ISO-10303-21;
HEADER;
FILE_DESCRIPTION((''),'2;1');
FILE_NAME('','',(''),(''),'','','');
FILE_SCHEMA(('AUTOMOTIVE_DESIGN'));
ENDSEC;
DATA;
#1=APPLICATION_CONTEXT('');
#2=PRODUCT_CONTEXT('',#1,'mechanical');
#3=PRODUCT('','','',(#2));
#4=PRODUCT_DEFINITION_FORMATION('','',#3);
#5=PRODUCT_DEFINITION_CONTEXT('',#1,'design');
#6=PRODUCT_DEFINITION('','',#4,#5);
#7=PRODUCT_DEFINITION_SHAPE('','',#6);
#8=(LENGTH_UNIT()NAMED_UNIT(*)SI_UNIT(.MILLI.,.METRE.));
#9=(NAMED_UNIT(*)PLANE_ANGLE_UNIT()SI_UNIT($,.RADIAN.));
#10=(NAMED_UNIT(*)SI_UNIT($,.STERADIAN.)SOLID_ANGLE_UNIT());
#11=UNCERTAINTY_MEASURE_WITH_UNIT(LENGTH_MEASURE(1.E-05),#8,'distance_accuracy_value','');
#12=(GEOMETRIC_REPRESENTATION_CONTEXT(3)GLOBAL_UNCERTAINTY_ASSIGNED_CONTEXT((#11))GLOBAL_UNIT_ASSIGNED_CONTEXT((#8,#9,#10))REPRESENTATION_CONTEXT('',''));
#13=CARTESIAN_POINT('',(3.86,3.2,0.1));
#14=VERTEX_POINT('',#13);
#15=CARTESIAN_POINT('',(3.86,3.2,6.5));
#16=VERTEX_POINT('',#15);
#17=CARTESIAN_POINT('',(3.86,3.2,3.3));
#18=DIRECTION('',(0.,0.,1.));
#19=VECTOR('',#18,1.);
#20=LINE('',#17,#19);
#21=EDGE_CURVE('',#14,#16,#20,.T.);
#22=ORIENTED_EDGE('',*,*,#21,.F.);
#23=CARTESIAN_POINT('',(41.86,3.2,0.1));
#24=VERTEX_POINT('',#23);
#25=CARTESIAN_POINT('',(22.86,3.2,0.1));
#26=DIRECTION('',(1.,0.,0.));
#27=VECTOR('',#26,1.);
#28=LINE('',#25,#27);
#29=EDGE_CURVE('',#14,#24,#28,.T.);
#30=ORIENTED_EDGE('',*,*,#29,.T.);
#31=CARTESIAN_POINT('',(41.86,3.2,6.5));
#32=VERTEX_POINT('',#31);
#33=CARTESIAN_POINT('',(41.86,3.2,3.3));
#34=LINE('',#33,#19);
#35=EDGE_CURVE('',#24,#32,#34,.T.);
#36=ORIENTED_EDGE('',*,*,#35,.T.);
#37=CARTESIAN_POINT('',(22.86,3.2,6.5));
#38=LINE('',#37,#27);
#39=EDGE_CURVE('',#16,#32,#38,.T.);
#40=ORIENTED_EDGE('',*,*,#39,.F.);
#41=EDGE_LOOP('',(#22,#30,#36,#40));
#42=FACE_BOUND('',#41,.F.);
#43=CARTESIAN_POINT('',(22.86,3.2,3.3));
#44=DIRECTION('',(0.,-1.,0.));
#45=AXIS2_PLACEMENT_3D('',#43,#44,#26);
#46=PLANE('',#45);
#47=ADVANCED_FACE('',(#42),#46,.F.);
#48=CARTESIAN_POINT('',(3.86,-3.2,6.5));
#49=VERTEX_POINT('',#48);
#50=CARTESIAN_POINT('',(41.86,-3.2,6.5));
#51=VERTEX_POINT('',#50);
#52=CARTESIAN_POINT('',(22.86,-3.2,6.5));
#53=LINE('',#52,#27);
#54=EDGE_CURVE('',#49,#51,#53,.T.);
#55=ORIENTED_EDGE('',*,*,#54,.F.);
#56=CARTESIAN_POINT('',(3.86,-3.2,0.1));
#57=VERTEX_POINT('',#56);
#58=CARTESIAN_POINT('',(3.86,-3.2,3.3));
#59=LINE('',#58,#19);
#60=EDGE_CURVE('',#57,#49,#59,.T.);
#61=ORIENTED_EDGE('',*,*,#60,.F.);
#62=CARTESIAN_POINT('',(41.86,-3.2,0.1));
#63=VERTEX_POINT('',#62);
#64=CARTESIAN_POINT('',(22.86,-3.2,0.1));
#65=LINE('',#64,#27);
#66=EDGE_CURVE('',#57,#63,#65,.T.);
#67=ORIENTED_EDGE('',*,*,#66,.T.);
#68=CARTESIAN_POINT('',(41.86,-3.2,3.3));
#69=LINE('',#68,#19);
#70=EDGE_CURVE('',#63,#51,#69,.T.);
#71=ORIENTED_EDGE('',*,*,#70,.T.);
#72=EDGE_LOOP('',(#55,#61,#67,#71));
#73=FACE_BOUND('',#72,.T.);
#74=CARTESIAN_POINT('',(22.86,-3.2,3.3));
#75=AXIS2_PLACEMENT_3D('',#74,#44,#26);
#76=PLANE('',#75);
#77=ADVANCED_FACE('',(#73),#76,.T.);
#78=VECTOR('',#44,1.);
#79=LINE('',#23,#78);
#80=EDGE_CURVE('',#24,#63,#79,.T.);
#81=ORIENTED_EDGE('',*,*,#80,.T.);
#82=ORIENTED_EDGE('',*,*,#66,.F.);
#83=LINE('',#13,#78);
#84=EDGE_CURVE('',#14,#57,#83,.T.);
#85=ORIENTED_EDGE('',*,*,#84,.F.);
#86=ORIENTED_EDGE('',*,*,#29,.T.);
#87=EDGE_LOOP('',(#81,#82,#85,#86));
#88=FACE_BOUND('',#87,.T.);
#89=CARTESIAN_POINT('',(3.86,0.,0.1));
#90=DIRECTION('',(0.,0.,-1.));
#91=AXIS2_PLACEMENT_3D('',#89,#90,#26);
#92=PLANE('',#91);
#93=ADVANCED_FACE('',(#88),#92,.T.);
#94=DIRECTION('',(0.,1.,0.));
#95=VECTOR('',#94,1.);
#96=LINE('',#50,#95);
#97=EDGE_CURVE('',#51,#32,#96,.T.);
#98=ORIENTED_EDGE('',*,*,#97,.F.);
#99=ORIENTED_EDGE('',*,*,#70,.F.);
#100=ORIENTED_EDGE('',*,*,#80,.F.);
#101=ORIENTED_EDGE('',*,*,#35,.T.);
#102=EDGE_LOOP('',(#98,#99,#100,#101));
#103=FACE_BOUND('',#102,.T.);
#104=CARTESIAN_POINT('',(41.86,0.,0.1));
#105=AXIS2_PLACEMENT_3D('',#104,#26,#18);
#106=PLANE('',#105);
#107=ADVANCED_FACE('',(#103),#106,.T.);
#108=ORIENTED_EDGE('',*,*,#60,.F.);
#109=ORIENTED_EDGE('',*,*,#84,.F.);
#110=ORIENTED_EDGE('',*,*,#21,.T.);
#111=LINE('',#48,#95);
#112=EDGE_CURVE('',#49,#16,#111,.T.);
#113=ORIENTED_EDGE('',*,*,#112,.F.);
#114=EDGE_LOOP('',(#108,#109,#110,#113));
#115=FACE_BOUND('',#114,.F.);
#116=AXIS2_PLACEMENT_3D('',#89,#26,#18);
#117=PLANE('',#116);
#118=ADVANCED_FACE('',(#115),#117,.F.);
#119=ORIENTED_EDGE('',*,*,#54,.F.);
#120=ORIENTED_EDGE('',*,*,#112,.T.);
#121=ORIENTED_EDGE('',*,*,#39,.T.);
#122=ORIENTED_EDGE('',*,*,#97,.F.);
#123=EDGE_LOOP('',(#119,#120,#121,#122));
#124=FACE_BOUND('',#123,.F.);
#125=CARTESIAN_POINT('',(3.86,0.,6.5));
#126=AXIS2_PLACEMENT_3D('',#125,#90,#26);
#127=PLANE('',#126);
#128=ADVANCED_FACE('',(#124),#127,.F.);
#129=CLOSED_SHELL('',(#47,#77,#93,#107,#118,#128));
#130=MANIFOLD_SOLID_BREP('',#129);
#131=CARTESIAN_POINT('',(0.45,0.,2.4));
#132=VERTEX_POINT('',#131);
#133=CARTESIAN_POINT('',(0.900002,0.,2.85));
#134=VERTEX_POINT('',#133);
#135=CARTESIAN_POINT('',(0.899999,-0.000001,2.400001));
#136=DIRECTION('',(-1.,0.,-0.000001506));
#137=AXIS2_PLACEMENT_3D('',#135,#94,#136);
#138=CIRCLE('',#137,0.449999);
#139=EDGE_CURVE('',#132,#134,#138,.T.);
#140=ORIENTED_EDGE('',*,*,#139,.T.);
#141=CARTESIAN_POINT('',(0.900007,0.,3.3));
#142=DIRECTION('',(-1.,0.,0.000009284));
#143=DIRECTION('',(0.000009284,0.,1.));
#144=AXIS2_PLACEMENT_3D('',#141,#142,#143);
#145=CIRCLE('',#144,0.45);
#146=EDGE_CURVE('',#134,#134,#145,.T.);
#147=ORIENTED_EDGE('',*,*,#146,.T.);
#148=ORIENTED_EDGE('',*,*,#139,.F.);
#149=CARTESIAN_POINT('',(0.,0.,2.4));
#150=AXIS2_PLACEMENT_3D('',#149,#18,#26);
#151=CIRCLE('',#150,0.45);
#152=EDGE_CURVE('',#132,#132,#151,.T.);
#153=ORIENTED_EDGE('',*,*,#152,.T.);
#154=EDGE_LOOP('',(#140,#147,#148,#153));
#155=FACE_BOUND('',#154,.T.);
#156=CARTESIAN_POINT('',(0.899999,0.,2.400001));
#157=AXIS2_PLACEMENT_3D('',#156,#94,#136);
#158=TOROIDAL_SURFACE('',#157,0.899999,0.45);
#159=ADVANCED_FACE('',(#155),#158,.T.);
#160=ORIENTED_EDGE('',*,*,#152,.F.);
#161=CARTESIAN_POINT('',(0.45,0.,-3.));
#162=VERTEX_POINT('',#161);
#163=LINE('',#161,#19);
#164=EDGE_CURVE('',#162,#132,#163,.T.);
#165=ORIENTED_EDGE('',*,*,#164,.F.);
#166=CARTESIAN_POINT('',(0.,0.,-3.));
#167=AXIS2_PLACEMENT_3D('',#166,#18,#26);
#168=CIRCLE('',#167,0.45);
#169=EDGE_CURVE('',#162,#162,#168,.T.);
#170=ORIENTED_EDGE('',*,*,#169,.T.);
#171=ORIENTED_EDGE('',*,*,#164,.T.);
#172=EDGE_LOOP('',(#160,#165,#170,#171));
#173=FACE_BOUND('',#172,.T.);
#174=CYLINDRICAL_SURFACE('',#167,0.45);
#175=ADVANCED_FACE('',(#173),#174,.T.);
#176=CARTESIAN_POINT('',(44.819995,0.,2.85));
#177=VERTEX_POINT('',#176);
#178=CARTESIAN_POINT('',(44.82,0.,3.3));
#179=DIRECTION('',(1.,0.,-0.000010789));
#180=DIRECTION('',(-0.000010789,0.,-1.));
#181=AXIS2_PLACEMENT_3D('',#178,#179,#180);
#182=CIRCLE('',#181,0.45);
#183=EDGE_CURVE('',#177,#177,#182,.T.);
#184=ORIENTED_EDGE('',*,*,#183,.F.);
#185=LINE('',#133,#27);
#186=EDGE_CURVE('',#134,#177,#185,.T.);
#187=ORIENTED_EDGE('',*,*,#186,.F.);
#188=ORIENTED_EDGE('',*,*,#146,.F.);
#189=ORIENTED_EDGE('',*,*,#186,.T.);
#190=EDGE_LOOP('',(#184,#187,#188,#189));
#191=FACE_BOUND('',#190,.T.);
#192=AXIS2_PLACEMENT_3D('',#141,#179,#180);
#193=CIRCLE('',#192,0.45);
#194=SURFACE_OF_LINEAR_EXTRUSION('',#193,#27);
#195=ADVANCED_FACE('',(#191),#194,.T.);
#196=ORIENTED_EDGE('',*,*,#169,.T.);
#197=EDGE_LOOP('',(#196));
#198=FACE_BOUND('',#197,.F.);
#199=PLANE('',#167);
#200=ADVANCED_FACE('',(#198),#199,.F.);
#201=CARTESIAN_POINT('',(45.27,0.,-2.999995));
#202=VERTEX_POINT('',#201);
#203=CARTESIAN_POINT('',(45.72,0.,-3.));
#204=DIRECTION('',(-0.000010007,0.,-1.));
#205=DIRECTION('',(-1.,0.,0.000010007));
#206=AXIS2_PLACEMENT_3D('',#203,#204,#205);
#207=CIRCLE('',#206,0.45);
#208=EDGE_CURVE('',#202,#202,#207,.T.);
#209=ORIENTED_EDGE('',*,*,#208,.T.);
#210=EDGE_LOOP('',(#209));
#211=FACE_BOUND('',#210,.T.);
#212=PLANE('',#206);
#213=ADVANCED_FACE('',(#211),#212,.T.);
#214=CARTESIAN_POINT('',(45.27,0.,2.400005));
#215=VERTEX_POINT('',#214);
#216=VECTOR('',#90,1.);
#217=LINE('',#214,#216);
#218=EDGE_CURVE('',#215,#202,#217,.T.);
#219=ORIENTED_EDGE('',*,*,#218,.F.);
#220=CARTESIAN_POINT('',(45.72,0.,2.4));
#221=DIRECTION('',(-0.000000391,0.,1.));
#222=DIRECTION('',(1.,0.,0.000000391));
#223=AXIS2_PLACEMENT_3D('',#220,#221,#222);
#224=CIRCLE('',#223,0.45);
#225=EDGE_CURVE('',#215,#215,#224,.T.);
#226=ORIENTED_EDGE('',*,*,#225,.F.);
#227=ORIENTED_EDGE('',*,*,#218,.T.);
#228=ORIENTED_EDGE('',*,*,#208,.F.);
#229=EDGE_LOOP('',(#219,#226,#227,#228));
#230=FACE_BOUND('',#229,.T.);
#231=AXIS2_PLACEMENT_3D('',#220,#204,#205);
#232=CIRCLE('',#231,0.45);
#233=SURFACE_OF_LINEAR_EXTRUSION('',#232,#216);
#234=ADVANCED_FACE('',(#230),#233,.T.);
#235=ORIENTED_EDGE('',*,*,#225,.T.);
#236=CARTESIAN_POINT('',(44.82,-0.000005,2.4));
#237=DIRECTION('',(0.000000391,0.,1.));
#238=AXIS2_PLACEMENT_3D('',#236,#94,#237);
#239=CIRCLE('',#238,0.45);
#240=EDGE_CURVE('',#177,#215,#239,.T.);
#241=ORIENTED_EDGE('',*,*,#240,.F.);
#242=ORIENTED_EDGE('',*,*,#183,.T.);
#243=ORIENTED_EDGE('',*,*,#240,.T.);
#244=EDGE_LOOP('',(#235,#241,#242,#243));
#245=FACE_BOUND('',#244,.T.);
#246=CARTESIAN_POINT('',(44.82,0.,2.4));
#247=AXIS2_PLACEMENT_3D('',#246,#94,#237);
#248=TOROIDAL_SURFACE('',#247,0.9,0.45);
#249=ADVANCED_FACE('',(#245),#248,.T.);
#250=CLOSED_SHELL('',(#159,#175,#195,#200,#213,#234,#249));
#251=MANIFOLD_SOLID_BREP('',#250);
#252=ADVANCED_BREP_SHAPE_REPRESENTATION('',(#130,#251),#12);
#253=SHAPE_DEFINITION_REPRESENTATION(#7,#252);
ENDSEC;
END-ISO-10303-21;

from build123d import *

# Parameters (mm, degrees)
SKETCH_R    = 0.45
SKETCH002_W = 38
SKETCH002_H = 6.4
PAD_DEPTH   = 3.2


with BuildPart() as sweep_body:
    # Sweep: sweep along a path in Sketch001
    with BuildLine(Plane.XZ) as sweep_path:
        Line((0, -3), (0, 2.4))
        ThreePointArc((0, 2.4), (0.263606, 3.036399), (0.900007, 3.3))
        Line((0.900007, 3.3), (44.82, 3.3))
        ThreePointArc((44.82, 3.3), (45.456396, 3.036396), (45.72, 2.4))
        Line((45.72, 2.4), (45.72, -3))
    # Sketch → Sweep (sweep)
    with BuildSketch(Plane.XY.offset(-2)):
        Circle(SKETCH_R)
    sweep(path=sweep_path.line)


with BuildPart() as pad:
    # Sketch002 → Pad (new body, symmetric)
    with BuildSketch(Plane.XZ):
        with Locations((22.86, 3.3)):
            Rectangle(SKETCH002_W, SKETCH002_H)
    extrude(amount=PAD_DEPTH, both=True)


solid = Compound([sweep_body.part, pad.part])
